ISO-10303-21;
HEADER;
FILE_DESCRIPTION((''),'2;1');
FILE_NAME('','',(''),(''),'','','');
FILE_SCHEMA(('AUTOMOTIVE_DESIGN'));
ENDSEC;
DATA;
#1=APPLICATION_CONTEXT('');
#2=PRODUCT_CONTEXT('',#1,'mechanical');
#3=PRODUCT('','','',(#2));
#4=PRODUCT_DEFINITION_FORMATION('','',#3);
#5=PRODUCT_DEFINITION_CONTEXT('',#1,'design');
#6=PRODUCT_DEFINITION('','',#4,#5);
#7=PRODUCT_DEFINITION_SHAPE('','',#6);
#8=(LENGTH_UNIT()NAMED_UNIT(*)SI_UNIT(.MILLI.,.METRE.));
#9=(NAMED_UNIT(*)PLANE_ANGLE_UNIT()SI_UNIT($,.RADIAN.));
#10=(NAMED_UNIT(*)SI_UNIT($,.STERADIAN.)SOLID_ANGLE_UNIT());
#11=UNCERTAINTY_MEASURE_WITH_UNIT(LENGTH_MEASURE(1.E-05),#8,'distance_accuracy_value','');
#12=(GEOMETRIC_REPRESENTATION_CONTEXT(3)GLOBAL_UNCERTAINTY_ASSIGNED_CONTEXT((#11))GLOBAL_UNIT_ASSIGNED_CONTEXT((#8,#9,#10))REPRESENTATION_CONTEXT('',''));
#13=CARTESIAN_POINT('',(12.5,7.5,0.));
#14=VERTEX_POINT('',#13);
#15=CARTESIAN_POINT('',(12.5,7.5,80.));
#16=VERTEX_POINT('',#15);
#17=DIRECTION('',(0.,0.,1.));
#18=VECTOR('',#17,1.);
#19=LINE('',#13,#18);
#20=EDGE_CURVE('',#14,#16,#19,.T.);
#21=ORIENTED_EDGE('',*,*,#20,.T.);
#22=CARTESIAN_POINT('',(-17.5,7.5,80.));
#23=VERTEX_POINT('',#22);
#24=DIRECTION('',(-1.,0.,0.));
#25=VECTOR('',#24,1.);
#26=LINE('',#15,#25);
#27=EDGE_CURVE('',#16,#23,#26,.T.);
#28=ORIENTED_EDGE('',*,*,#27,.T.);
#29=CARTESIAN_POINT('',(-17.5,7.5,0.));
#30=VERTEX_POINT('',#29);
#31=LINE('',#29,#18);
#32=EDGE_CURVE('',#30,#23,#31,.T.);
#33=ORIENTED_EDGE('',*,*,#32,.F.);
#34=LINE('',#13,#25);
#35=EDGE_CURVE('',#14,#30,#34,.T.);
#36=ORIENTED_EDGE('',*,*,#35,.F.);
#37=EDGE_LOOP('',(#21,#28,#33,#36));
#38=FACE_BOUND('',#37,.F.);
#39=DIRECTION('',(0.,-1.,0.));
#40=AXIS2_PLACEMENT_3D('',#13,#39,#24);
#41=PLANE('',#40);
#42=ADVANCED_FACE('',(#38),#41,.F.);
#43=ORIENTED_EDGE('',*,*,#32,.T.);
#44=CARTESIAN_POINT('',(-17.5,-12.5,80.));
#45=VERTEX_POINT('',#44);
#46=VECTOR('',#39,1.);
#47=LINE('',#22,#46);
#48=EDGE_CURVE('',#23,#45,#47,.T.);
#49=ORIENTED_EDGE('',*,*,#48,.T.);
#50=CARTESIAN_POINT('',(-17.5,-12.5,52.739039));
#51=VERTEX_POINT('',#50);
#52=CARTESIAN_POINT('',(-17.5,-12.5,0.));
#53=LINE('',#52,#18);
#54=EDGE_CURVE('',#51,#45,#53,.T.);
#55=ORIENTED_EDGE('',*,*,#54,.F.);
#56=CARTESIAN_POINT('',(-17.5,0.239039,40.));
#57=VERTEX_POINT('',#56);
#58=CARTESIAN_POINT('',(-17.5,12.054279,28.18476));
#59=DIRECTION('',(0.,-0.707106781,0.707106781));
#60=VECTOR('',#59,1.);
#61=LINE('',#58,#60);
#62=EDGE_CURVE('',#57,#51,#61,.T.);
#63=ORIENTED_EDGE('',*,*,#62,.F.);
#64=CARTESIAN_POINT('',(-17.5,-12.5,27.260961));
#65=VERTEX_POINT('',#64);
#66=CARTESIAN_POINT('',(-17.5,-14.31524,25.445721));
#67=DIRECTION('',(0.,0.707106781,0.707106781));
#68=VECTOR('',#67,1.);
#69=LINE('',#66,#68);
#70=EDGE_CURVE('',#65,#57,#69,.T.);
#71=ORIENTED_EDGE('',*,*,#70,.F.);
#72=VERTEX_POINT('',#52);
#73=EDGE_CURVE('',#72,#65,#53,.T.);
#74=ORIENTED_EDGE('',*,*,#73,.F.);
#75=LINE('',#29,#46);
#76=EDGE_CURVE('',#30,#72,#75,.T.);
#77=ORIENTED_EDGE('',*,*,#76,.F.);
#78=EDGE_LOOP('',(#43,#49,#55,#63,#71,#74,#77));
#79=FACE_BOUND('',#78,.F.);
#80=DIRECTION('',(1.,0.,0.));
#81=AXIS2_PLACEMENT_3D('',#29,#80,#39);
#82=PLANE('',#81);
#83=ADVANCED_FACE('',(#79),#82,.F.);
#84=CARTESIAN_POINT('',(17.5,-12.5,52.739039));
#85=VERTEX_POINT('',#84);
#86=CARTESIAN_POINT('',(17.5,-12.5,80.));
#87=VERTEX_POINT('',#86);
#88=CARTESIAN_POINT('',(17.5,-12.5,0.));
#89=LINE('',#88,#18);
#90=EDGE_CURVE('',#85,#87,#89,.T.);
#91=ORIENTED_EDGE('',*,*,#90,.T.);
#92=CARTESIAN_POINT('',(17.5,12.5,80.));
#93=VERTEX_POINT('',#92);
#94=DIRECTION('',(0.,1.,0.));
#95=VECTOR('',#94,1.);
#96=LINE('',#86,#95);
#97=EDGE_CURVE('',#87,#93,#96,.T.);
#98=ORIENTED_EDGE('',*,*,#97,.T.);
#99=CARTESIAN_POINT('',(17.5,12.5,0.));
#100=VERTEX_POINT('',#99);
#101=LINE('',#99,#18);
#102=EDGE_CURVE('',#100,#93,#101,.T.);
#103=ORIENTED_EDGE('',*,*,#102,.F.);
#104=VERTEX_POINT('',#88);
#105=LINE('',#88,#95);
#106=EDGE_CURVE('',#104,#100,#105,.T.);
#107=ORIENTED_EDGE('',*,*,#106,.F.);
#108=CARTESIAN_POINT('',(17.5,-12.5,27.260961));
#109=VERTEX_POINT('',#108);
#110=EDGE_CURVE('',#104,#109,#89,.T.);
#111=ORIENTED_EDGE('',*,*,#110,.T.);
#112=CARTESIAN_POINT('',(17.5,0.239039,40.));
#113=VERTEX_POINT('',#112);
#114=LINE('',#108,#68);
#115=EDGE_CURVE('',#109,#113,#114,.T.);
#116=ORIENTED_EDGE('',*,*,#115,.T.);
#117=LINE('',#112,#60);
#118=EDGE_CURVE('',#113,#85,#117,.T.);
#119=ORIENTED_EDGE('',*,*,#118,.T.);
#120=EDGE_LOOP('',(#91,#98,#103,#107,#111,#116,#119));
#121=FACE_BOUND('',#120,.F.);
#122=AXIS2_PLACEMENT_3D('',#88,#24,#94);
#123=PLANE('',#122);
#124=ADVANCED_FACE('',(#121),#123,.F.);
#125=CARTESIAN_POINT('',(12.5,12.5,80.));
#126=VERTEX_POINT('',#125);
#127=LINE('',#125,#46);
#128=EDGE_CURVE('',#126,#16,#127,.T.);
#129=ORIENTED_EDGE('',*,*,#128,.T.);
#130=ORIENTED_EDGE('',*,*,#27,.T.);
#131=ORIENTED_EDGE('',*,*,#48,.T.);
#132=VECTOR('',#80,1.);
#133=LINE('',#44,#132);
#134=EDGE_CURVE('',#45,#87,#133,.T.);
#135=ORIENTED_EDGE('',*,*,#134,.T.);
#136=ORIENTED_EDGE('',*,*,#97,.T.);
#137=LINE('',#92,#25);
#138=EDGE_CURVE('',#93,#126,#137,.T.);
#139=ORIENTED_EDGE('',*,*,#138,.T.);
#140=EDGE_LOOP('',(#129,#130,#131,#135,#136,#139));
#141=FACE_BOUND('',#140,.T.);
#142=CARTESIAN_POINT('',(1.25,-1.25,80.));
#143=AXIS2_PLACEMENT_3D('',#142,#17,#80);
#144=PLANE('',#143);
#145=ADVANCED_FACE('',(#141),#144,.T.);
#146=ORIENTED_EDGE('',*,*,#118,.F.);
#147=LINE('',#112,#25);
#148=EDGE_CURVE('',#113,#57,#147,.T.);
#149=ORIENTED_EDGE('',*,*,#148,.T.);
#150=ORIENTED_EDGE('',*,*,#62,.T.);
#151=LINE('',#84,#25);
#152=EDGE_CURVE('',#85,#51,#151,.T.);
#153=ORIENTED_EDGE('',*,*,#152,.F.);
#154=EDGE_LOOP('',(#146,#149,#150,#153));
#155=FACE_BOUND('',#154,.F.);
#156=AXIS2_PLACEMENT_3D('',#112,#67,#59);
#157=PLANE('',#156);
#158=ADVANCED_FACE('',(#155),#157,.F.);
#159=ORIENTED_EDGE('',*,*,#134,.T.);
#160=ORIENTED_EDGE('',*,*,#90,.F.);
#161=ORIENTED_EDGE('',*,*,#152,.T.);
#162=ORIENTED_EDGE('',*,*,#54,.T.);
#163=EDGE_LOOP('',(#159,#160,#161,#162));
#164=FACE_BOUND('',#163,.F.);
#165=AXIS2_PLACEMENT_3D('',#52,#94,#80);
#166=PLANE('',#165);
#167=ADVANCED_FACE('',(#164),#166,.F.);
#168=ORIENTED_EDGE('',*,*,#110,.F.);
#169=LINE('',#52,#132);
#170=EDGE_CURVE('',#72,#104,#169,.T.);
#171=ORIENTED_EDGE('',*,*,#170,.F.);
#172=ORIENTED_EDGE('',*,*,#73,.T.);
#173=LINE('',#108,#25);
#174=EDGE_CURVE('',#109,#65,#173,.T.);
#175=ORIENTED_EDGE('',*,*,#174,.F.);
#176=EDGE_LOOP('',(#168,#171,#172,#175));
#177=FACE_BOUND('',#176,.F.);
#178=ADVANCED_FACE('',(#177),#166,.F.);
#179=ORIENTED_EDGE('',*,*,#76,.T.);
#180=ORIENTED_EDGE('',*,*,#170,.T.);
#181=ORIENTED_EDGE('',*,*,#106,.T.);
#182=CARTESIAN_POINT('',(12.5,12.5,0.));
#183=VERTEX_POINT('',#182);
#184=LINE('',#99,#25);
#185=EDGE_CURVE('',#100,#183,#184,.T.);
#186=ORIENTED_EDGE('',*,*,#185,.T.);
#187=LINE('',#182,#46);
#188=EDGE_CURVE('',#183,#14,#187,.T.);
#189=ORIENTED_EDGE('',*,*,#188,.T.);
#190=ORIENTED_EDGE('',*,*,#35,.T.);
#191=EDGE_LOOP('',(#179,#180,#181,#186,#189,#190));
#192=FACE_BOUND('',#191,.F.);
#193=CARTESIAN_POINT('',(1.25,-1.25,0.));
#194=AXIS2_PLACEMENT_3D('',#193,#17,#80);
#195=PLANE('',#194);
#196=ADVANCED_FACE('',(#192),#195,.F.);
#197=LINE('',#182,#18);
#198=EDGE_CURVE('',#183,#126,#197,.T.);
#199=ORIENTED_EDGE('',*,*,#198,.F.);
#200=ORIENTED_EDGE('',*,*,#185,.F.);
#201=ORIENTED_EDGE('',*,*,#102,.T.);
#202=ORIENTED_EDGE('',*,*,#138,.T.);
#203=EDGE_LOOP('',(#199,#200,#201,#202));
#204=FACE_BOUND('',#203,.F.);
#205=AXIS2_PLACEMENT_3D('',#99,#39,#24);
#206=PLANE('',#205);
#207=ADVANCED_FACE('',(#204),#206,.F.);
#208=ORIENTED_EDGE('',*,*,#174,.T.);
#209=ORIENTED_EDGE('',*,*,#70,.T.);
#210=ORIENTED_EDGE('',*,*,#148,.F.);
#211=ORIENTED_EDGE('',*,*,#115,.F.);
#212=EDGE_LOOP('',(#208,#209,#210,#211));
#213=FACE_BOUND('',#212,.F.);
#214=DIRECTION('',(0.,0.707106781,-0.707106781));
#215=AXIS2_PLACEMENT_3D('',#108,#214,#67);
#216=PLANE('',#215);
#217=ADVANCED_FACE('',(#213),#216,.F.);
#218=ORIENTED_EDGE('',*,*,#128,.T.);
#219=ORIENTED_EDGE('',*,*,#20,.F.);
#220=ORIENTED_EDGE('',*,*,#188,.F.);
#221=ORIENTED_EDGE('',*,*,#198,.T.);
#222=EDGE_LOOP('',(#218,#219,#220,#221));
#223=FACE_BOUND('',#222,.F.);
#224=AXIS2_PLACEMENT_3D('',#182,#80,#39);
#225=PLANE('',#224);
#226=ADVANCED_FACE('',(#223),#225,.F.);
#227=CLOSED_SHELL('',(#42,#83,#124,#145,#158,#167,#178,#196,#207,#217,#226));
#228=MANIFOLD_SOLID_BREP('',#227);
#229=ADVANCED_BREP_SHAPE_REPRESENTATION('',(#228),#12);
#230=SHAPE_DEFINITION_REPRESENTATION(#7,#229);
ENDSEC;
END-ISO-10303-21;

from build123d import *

# Parameters (mm, degrees)
F1_DEPTH = 80
F3_DEPTH = 35.001


with BuildPart() as f1:
    # F0 (on Top) → F1 (new body)
    with BuildSketch(Plane.XY):
        Polygon((17.5, 12.5), (12.5, 12.5), (12.5, 7.5), (-17.5, 7.5), (-17.5, -12.5), (17.5, -12.5), align=None)
    extrude(amount=F1_DEPTH)

    # F2 (on face) → F3 (cut, through all)
    with BuildSketch(Plane.YZ.offset(17.5)):
        Polygon((0.239039, 40), (-12.5, 52.739039), (-12.5, 27.260961), align=None)
    extrude(amount=-F3_DEPTH, mode=Mode.SUBTRACT)


solid = f1.part
